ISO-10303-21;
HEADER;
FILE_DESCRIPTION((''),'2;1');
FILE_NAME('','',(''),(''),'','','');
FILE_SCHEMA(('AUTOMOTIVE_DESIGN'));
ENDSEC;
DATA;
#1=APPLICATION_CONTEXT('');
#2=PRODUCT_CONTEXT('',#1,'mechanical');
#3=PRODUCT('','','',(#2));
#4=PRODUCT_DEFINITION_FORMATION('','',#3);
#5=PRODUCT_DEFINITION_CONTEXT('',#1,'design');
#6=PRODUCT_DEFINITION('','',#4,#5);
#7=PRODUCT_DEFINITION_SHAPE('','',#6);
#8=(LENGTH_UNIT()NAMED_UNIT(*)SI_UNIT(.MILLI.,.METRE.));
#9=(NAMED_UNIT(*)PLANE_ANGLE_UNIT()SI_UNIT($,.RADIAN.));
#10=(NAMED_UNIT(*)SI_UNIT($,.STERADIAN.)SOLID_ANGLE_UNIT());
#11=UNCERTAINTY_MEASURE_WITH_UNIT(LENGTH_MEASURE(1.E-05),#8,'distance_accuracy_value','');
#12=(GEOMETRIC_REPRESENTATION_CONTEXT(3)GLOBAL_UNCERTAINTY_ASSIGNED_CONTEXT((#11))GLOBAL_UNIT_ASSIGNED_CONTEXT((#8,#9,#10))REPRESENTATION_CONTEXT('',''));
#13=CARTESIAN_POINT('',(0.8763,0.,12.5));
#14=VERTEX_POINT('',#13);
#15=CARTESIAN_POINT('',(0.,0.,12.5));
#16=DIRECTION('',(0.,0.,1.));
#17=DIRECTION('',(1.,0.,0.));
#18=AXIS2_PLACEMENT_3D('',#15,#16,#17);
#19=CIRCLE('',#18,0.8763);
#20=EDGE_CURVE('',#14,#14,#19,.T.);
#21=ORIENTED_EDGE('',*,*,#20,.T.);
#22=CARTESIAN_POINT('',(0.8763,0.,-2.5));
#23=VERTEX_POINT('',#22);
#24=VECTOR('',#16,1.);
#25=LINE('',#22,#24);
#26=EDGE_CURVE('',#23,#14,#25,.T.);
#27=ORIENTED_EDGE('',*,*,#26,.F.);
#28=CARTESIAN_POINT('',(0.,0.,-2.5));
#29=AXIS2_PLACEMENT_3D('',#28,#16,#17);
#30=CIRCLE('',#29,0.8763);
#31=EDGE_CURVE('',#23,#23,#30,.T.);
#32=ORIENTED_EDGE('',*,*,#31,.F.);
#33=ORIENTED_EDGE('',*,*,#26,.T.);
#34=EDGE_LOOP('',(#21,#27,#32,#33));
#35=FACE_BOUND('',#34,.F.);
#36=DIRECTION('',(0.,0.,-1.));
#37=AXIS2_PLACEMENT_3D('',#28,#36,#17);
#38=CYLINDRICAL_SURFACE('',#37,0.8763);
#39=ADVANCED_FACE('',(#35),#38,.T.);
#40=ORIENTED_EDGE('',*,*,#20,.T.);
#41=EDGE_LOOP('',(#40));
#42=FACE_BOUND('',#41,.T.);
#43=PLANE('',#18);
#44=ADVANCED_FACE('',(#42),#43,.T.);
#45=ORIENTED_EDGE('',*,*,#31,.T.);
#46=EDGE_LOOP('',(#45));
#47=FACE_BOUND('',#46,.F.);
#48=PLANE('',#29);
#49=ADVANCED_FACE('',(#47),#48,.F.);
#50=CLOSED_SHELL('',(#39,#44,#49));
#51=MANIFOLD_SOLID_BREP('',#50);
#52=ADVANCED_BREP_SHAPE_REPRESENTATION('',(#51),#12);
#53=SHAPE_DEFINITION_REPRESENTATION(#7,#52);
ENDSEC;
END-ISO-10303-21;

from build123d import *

# Parameters (mm, degrees)
CYLINDER_R     = 0.8763
CYLINDER_DEPTH = 15


with BuildPart() as part:
    # Cylinder → Cylinder (new body)
    with BuildSketch(Plane.XY.offset(-2.5)):
        Circle(CYLINDER_R)
    extrude(amount=CYLINDER_DEPTH)


solid = part.part
